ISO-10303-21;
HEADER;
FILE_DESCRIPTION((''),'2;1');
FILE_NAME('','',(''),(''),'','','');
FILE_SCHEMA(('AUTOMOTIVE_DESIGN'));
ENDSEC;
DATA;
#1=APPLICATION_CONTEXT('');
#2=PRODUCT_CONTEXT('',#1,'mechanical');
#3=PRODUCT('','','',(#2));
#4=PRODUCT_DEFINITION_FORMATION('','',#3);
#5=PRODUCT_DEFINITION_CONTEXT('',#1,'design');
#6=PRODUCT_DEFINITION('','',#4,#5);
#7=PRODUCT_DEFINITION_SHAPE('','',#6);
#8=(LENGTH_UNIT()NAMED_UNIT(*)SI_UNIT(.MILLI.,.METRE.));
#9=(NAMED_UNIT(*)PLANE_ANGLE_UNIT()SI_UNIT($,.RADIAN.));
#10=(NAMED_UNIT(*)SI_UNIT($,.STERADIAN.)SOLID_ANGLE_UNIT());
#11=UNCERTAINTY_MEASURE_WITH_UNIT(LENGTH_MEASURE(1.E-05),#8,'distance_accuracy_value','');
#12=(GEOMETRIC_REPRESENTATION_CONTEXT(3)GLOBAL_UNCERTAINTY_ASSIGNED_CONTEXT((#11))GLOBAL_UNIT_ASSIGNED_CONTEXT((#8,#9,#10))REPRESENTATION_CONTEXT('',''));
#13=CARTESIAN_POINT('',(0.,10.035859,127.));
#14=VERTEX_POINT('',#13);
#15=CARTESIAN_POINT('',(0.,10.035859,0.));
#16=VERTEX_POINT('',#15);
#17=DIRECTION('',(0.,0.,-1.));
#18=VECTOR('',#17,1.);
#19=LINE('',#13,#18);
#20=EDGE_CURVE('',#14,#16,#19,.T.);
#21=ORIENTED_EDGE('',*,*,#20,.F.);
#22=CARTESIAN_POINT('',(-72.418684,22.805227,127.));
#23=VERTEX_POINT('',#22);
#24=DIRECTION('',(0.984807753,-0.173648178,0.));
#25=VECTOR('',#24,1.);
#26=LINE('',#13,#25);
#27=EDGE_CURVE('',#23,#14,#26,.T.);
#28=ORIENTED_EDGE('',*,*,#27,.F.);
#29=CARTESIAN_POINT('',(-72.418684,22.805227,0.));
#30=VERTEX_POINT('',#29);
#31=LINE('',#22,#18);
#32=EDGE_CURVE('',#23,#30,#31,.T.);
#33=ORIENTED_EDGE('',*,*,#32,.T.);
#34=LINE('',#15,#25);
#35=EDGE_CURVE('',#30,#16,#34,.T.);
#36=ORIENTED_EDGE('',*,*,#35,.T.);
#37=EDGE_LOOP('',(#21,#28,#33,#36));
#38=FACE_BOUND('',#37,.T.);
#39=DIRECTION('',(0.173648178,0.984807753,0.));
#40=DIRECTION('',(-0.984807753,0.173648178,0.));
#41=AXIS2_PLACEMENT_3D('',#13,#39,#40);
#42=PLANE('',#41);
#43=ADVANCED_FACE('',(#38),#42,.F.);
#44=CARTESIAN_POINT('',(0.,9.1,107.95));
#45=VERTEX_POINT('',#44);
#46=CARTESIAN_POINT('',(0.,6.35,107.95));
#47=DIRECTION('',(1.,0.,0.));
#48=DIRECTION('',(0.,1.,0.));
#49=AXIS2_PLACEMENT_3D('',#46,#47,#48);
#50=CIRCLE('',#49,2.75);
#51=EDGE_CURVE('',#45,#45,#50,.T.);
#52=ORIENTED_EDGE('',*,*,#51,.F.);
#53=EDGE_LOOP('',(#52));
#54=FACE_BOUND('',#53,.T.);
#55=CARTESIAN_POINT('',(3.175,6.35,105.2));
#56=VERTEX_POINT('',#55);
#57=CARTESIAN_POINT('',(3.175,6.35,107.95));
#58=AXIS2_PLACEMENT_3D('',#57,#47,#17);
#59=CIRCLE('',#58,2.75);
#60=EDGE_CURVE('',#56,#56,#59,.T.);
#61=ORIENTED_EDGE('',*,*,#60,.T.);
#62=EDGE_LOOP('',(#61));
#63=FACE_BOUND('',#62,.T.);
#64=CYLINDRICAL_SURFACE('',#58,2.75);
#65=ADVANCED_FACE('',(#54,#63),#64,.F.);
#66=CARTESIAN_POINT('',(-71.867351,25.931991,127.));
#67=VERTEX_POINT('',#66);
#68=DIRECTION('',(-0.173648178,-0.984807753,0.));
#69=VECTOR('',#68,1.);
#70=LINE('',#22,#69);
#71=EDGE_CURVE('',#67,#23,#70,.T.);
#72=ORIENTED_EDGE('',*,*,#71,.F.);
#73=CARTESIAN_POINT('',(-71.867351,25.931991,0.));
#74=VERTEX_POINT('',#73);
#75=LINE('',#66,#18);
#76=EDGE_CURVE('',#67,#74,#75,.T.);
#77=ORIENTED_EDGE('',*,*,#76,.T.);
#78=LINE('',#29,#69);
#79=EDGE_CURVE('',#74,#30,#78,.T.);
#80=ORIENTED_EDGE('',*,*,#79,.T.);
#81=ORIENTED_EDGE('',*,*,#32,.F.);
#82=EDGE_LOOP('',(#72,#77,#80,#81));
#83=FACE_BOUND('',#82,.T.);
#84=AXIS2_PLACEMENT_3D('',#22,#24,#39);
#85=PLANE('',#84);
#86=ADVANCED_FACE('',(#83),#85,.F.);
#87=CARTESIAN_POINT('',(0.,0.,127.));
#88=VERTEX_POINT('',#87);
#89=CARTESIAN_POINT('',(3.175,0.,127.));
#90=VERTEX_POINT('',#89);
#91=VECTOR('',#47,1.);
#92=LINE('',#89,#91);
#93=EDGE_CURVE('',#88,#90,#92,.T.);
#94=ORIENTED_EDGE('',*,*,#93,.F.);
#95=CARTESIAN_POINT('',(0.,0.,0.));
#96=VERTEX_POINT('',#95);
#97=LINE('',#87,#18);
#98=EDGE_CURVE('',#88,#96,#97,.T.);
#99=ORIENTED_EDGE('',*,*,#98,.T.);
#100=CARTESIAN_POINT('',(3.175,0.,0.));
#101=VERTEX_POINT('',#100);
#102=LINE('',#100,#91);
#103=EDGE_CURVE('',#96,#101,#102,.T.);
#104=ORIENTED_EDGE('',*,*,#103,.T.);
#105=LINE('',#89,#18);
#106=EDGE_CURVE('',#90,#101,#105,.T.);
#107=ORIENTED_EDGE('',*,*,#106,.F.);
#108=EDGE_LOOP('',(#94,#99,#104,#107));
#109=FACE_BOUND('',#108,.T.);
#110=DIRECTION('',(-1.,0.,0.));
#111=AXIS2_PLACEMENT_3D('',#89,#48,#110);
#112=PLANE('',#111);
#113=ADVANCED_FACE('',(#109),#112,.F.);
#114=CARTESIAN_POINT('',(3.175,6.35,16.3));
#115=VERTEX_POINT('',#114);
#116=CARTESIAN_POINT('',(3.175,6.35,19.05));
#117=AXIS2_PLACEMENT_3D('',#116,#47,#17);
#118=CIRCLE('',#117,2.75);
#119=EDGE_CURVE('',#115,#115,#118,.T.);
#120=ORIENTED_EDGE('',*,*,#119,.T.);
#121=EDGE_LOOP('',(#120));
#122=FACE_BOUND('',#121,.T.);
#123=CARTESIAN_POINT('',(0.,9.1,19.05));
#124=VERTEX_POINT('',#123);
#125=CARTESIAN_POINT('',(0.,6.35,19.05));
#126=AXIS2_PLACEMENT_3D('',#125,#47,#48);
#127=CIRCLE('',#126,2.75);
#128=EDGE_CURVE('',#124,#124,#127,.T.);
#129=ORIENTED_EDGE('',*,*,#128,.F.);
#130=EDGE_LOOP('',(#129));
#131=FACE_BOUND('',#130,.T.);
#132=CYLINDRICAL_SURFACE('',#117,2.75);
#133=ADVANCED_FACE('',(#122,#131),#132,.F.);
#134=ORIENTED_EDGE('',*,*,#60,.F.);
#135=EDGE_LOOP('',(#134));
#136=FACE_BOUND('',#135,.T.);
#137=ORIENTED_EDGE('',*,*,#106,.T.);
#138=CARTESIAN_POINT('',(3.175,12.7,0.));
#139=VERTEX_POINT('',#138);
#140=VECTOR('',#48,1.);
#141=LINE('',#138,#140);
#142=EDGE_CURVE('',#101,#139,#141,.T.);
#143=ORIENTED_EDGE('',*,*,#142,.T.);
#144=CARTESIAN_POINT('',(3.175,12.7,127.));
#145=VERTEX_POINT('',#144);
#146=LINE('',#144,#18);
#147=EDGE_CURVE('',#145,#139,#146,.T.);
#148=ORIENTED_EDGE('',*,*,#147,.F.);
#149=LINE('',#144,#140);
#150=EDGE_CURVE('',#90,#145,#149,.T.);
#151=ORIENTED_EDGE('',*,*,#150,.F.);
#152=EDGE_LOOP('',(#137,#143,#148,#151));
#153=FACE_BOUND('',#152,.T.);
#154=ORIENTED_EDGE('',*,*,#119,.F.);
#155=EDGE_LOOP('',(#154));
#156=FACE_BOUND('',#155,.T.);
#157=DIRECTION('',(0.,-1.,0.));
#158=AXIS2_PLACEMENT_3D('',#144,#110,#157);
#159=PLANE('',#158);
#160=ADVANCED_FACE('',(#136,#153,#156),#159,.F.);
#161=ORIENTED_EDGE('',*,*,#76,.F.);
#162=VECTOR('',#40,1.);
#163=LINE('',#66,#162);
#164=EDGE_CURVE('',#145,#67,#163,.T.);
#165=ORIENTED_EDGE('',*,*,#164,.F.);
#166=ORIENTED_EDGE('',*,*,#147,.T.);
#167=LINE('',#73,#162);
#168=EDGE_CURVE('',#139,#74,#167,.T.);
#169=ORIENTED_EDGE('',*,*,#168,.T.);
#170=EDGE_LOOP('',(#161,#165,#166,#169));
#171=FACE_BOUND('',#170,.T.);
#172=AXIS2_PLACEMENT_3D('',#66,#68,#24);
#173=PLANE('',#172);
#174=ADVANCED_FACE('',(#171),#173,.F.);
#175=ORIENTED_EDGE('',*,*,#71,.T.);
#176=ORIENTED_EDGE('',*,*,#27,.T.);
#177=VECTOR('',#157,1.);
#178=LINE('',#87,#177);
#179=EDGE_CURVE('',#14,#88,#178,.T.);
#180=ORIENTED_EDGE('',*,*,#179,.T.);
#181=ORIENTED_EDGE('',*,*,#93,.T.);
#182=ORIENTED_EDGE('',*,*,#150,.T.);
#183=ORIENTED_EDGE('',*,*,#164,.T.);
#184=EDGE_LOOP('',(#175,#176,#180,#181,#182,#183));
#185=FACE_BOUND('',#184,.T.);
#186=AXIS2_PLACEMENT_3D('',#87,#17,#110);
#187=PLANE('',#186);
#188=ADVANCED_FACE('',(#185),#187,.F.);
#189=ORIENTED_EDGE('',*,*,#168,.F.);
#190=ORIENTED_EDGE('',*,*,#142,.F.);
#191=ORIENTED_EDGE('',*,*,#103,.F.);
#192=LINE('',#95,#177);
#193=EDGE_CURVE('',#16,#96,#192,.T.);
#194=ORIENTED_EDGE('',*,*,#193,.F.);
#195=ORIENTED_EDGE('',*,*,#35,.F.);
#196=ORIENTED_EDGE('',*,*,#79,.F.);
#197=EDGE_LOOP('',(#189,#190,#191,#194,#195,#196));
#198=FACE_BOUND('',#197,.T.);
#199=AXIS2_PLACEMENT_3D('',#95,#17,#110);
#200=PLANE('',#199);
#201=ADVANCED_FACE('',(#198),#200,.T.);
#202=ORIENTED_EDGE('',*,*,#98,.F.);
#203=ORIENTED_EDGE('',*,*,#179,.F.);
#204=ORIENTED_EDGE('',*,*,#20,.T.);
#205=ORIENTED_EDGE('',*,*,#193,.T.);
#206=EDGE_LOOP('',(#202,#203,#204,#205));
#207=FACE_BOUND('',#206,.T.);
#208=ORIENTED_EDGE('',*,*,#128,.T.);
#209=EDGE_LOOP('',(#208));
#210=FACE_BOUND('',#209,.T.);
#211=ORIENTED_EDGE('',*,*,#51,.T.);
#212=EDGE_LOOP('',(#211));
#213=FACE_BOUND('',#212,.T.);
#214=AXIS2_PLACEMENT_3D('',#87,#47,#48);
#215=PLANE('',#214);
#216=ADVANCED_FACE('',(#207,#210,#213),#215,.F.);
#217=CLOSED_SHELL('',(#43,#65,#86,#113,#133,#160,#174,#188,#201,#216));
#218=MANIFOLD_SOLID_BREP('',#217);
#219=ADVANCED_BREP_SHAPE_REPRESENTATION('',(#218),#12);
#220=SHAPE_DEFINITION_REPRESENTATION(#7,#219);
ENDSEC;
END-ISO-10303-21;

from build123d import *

# Parameters (mm, degrees)
BOSS_EXTRUDE1_DEPTH  = 127
M5_CLEARANCE_HOLE1_D = 5.5


with BuildPart() as part:
    # Sketch1 → Boss-Extrude1 (new body)
    with BuildSketch(Plane.XY):
        Polygon((0, 0), (0, 10.035858671), (-72.418683744, 22.805226522), (-71.86735078, 25.931991138), (3.175, 12.7), (3.175, 0), align=None)
    extrude(amount=BOSS_EXTRUDE1_DEPTH)

    # M5 Clearance Hole1 (through all)
    with Locations(Plane(origin=(3.175, 0, 0), x_dir=(0, 0, -1), z_dir=(1, 0, 0))):
        with Locations((-107.95, 6.35), (-19.05, 6.35)):
            Hole(M5_CLEARANCE_HOLE1_D / 2)


solid = part.part
